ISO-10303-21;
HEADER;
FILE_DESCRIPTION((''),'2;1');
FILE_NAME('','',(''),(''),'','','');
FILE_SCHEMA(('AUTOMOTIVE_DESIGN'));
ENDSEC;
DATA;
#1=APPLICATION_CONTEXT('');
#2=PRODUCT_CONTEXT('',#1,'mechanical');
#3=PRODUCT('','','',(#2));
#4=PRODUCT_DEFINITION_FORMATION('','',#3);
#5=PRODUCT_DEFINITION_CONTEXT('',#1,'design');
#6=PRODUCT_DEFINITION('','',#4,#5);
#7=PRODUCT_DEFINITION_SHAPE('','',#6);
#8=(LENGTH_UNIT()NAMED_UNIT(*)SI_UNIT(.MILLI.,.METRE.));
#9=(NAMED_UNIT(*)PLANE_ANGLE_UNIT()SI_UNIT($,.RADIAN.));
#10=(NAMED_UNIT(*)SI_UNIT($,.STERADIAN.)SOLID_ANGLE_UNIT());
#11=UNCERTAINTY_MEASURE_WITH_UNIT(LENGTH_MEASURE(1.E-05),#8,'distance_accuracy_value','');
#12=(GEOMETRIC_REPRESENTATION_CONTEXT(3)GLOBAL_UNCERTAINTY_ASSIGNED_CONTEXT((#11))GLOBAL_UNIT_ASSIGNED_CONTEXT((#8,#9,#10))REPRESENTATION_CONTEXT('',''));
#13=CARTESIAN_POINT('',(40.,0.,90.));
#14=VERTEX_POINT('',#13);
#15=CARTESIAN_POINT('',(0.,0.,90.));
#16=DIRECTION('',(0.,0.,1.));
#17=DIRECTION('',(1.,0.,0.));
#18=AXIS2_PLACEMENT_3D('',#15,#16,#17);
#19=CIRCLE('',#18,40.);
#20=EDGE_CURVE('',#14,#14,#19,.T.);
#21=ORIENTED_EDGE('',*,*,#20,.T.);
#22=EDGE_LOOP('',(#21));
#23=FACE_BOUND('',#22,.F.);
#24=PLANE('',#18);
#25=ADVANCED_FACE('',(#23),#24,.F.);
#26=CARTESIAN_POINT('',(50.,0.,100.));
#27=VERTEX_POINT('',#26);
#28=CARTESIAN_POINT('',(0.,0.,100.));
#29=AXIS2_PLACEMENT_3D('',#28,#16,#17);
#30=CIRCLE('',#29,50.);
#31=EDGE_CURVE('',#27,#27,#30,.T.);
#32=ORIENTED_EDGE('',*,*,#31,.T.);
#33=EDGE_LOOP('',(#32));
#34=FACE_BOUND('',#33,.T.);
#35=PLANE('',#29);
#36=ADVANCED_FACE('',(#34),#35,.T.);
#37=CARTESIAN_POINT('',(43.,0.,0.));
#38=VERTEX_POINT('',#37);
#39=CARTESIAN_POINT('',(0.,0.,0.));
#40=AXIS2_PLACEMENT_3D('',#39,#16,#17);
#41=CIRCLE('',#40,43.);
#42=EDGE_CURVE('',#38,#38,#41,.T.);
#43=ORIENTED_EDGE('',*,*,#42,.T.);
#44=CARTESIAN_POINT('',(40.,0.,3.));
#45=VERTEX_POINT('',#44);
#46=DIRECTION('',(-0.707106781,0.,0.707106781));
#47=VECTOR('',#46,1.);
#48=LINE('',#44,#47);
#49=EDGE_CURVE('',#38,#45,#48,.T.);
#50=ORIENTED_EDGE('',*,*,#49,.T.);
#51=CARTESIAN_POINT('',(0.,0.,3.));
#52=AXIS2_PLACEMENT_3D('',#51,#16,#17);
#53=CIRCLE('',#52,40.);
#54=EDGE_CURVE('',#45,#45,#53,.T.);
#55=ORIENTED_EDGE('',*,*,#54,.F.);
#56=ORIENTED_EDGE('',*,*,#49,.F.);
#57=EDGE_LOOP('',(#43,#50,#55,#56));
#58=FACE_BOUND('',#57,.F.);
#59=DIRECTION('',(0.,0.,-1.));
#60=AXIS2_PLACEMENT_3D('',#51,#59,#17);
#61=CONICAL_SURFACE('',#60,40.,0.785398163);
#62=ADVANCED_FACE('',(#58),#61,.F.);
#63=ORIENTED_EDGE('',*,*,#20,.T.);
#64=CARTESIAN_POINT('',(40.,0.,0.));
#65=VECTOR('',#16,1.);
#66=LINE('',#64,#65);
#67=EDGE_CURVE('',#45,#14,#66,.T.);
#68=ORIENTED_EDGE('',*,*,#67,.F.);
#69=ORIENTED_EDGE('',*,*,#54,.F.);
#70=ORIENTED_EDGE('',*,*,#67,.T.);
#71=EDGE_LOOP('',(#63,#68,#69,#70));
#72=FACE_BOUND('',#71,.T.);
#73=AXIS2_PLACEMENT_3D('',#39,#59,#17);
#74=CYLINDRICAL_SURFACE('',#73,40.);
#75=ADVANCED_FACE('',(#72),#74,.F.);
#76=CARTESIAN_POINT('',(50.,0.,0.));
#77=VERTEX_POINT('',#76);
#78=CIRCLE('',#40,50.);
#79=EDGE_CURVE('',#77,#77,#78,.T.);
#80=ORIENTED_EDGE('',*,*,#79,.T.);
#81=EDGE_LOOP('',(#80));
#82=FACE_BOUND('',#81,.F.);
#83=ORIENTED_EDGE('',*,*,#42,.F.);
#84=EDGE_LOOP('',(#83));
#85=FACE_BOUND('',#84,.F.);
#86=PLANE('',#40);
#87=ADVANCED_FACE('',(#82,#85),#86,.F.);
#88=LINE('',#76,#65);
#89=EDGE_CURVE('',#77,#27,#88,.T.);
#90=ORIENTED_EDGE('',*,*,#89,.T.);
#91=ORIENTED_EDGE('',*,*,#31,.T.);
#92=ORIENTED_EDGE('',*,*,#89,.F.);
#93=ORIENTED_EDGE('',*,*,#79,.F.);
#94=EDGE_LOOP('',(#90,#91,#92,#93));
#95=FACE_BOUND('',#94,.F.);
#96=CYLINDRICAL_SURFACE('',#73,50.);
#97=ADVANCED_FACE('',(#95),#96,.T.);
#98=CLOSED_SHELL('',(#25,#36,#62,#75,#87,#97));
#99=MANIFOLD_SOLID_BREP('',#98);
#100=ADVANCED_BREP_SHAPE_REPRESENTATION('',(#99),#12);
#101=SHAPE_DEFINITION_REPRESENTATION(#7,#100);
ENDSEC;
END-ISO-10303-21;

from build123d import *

# Parameters (mm, degrees)
SKETCH001_R  = 40
PAD001_DEPTH = 90
SKETCH_R     = 50
PAD_DEPTH    = 100
CHAMFER_SIZE = 3


with BuildPart() as body001:
    # Sketch001 → Pad001 (new body)
    with BuildSketch(Plane.XY):
        Circle(SKETCH001_R)
    extrude(amount=PAD001_DEPTH)


with BuildPart() as chamfer_body:
    # Sketch → Pad (new body)
    with BuildSketch(Plane.XY):
        Circle(SKETCH_R)
    extrude(amount=PAD_DEPTH)

    # Cut: cut Body001
    add(body001.part, mode=Mode.SUBTRACT)

    # Chamfer
    chamfer_edges = [chamfer_body.edges().sort_by_distance(p)[0] for p in [
        (-40, 0, 0),
    ]]
    chamfer(chamfer_edges, length=CHAMFER_SIZE)


solid = chamfer_body.part
